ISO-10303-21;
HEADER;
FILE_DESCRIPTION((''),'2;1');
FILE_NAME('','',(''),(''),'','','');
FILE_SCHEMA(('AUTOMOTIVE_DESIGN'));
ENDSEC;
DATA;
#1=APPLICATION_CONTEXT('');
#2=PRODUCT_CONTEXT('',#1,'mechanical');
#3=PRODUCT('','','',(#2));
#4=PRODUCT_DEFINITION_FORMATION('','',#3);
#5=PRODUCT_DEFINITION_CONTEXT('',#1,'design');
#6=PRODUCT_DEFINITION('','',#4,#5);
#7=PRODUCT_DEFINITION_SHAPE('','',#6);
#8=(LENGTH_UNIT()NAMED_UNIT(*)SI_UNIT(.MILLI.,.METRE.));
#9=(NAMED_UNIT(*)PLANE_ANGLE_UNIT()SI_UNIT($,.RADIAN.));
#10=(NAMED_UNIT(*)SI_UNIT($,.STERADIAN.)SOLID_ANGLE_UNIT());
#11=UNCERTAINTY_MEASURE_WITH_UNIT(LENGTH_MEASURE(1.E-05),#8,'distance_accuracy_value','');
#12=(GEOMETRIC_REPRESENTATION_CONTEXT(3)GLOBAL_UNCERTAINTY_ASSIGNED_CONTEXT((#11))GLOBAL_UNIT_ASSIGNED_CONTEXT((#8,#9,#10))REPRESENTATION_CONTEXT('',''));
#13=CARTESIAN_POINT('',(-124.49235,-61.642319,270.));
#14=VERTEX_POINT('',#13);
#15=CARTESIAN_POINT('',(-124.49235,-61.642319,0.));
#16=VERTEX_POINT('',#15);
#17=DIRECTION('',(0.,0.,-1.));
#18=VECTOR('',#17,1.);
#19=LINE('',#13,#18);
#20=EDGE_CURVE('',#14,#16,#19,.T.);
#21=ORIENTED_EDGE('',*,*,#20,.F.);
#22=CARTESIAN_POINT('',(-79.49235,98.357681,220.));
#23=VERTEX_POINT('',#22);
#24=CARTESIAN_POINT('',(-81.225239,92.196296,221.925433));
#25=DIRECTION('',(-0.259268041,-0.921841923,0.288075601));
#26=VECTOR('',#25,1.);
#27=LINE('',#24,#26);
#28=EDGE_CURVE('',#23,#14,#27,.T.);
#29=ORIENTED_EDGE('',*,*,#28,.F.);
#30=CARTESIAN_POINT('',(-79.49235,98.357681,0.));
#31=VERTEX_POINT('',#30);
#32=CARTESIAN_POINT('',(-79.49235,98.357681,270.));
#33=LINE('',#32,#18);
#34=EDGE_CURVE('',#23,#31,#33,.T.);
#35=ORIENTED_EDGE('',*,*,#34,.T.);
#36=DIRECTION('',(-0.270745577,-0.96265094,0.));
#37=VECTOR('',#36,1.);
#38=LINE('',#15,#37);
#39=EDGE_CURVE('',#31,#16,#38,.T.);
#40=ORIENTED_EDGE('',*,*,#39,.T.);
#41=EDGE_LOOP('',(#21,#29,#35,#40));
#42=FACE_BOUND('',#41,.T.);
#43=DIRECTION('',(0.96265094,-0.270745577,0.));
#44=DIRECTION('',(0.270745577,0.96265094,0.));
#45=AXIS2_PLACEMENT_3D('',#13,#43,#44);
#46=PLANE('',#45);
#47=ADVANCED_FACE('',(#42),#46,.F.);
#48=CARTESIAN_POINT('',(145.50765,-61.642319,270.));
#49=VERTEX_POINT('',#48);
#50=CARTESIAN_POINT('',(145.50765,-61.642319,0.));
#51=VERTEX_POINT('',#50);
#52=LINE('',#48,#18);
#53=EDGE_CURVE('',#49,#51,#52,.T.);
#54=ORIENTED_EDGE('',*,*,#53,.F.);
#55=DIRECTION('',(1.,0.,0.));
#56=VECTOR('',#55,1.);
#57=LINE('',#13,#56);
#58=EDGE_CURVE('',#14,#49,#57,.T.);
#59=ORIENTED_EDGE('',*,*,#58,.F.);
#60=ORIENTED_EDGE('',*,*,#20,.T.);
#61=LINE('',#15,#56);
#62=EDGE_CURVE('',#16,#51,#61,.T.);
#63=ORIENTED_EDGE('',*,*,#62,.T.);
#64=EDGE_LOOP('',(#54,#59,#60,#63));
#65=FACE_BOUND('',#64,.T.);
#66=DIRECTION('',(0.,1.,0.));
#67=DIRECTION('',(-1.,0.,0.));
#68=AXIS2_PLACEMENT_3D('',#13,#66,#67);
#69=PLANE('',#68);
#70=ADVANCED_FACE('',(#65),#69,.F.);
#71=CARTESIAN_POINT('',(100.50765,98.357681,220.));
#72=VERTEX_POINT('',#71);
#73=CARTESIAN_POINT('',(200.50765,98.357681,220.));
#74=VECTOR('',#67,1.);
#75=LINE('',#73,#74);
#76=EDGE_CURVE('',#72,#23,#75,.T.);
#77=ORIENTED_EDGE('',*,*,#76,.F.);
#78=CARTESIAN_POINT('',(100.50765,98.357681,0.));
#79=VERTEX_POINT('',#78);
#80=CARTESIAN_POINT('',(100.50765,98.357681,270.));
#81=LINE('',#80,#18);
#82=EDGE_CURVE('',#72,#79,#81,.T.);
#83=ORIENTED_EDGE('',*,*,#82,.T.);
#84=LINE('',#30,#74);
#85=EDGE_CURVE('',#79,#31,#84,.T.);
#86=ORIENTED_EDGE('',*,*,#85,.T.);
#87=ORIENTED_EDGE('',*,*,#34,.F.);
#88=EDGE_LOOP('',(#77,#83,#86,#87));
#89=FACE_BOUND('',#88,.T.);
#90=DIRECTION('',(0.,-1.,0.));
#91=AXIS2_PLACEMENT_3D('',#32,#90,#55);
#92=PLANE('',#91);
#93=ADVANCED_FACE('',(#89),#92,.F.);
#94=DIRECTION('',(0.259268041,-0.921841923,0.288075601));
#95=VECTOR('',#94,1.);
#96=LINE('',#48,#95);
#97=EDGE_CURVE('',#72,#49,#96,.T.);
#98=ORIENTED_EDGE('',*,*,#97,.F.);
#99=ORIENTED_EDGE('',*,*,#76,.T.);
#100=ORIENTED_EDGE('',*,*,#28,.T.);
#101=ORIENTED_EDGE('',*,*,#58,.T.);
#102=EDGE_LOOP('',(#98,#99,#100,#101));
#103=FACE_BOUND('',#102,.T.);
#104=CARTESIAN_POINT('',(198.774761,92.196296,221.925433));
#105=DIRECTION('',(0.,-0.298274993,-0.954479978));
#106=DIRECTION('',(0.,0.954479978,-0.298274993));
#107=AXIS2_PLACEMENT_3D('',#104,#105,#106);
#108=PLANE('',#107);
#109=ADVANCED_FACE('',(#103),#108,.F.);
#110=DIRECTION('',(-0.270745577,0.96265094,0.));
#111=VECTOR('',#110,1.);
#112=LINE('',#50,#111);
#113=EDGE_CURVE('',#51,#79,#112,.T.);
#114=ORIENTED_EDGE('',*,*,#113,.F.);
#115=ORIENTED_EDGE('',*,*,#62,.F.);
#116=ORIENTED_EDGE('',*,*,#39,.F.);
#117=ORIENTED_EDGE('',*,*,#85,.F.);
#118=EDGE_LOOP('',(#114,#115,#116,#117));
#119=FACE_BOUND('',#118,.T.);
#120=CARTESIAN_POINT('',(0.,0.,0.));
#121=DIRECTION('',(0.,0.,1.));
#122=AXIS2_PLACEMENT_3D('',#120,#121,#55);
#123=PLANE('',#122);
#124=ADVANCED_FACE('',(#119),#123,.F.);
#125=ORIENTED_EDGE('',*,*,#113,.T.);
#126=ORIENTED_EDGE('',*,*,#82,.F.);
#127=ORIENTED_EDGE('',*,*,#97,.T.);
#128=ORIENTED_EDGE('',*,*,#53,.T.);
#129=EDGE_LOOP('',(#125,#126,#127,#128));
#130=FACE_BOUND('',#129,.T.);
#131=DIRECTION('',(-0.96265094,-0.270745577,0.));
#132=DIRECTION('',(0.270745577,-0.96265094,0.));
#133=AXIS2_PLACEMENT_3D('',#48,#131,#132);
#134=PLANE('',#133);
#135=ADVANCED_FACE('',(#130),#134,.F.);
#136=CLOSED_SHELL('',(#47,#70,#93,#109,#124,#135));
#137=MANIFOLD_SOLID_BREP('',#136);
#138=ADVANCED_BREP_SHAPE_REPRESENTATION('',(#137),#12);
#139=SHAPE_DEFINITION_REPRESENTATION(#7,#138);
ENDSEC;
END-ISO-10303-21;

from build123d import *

# Parameters (mm, degrees)
BOSS_EXTRUDE1_DEPTH = 270
CUT_EXTRUDE2_DEPTH  = 280


with BuildPart() as part:
    # Sketch1 → Boss-Extrude1 (new body)
    with BuildSketch(Plane.XY):
        Polygon((-124.492349516, -61.642319025), (-79.492349516, 98.357680975), (100.507650484, 98.357680975), (145.507650484, -61.642319025), align=None)
    extrude(amount=BOSS_EXTRUDE1_DEPTH)

    # Sketch3 → Cut-Extrude2 (cut, along a direction that is not the sketch's normal)
    with BuildSketch(Plane(origin=(-99.300613598, 27.928297574, 0), x_dir=(0, 0, 1), z_dir=(-0.962650940153899, 0.2707455769182841, 0))):
        Polygon((270, 73.161912032), (220, 73.161912032), (270, -93.045789354), align=None)
    extrude(amount=-CUT_EXTRUDE2_DEPTH, dir=(-1, 0, 0), mode=Mode.SUBTRACT)


solid = part.part
